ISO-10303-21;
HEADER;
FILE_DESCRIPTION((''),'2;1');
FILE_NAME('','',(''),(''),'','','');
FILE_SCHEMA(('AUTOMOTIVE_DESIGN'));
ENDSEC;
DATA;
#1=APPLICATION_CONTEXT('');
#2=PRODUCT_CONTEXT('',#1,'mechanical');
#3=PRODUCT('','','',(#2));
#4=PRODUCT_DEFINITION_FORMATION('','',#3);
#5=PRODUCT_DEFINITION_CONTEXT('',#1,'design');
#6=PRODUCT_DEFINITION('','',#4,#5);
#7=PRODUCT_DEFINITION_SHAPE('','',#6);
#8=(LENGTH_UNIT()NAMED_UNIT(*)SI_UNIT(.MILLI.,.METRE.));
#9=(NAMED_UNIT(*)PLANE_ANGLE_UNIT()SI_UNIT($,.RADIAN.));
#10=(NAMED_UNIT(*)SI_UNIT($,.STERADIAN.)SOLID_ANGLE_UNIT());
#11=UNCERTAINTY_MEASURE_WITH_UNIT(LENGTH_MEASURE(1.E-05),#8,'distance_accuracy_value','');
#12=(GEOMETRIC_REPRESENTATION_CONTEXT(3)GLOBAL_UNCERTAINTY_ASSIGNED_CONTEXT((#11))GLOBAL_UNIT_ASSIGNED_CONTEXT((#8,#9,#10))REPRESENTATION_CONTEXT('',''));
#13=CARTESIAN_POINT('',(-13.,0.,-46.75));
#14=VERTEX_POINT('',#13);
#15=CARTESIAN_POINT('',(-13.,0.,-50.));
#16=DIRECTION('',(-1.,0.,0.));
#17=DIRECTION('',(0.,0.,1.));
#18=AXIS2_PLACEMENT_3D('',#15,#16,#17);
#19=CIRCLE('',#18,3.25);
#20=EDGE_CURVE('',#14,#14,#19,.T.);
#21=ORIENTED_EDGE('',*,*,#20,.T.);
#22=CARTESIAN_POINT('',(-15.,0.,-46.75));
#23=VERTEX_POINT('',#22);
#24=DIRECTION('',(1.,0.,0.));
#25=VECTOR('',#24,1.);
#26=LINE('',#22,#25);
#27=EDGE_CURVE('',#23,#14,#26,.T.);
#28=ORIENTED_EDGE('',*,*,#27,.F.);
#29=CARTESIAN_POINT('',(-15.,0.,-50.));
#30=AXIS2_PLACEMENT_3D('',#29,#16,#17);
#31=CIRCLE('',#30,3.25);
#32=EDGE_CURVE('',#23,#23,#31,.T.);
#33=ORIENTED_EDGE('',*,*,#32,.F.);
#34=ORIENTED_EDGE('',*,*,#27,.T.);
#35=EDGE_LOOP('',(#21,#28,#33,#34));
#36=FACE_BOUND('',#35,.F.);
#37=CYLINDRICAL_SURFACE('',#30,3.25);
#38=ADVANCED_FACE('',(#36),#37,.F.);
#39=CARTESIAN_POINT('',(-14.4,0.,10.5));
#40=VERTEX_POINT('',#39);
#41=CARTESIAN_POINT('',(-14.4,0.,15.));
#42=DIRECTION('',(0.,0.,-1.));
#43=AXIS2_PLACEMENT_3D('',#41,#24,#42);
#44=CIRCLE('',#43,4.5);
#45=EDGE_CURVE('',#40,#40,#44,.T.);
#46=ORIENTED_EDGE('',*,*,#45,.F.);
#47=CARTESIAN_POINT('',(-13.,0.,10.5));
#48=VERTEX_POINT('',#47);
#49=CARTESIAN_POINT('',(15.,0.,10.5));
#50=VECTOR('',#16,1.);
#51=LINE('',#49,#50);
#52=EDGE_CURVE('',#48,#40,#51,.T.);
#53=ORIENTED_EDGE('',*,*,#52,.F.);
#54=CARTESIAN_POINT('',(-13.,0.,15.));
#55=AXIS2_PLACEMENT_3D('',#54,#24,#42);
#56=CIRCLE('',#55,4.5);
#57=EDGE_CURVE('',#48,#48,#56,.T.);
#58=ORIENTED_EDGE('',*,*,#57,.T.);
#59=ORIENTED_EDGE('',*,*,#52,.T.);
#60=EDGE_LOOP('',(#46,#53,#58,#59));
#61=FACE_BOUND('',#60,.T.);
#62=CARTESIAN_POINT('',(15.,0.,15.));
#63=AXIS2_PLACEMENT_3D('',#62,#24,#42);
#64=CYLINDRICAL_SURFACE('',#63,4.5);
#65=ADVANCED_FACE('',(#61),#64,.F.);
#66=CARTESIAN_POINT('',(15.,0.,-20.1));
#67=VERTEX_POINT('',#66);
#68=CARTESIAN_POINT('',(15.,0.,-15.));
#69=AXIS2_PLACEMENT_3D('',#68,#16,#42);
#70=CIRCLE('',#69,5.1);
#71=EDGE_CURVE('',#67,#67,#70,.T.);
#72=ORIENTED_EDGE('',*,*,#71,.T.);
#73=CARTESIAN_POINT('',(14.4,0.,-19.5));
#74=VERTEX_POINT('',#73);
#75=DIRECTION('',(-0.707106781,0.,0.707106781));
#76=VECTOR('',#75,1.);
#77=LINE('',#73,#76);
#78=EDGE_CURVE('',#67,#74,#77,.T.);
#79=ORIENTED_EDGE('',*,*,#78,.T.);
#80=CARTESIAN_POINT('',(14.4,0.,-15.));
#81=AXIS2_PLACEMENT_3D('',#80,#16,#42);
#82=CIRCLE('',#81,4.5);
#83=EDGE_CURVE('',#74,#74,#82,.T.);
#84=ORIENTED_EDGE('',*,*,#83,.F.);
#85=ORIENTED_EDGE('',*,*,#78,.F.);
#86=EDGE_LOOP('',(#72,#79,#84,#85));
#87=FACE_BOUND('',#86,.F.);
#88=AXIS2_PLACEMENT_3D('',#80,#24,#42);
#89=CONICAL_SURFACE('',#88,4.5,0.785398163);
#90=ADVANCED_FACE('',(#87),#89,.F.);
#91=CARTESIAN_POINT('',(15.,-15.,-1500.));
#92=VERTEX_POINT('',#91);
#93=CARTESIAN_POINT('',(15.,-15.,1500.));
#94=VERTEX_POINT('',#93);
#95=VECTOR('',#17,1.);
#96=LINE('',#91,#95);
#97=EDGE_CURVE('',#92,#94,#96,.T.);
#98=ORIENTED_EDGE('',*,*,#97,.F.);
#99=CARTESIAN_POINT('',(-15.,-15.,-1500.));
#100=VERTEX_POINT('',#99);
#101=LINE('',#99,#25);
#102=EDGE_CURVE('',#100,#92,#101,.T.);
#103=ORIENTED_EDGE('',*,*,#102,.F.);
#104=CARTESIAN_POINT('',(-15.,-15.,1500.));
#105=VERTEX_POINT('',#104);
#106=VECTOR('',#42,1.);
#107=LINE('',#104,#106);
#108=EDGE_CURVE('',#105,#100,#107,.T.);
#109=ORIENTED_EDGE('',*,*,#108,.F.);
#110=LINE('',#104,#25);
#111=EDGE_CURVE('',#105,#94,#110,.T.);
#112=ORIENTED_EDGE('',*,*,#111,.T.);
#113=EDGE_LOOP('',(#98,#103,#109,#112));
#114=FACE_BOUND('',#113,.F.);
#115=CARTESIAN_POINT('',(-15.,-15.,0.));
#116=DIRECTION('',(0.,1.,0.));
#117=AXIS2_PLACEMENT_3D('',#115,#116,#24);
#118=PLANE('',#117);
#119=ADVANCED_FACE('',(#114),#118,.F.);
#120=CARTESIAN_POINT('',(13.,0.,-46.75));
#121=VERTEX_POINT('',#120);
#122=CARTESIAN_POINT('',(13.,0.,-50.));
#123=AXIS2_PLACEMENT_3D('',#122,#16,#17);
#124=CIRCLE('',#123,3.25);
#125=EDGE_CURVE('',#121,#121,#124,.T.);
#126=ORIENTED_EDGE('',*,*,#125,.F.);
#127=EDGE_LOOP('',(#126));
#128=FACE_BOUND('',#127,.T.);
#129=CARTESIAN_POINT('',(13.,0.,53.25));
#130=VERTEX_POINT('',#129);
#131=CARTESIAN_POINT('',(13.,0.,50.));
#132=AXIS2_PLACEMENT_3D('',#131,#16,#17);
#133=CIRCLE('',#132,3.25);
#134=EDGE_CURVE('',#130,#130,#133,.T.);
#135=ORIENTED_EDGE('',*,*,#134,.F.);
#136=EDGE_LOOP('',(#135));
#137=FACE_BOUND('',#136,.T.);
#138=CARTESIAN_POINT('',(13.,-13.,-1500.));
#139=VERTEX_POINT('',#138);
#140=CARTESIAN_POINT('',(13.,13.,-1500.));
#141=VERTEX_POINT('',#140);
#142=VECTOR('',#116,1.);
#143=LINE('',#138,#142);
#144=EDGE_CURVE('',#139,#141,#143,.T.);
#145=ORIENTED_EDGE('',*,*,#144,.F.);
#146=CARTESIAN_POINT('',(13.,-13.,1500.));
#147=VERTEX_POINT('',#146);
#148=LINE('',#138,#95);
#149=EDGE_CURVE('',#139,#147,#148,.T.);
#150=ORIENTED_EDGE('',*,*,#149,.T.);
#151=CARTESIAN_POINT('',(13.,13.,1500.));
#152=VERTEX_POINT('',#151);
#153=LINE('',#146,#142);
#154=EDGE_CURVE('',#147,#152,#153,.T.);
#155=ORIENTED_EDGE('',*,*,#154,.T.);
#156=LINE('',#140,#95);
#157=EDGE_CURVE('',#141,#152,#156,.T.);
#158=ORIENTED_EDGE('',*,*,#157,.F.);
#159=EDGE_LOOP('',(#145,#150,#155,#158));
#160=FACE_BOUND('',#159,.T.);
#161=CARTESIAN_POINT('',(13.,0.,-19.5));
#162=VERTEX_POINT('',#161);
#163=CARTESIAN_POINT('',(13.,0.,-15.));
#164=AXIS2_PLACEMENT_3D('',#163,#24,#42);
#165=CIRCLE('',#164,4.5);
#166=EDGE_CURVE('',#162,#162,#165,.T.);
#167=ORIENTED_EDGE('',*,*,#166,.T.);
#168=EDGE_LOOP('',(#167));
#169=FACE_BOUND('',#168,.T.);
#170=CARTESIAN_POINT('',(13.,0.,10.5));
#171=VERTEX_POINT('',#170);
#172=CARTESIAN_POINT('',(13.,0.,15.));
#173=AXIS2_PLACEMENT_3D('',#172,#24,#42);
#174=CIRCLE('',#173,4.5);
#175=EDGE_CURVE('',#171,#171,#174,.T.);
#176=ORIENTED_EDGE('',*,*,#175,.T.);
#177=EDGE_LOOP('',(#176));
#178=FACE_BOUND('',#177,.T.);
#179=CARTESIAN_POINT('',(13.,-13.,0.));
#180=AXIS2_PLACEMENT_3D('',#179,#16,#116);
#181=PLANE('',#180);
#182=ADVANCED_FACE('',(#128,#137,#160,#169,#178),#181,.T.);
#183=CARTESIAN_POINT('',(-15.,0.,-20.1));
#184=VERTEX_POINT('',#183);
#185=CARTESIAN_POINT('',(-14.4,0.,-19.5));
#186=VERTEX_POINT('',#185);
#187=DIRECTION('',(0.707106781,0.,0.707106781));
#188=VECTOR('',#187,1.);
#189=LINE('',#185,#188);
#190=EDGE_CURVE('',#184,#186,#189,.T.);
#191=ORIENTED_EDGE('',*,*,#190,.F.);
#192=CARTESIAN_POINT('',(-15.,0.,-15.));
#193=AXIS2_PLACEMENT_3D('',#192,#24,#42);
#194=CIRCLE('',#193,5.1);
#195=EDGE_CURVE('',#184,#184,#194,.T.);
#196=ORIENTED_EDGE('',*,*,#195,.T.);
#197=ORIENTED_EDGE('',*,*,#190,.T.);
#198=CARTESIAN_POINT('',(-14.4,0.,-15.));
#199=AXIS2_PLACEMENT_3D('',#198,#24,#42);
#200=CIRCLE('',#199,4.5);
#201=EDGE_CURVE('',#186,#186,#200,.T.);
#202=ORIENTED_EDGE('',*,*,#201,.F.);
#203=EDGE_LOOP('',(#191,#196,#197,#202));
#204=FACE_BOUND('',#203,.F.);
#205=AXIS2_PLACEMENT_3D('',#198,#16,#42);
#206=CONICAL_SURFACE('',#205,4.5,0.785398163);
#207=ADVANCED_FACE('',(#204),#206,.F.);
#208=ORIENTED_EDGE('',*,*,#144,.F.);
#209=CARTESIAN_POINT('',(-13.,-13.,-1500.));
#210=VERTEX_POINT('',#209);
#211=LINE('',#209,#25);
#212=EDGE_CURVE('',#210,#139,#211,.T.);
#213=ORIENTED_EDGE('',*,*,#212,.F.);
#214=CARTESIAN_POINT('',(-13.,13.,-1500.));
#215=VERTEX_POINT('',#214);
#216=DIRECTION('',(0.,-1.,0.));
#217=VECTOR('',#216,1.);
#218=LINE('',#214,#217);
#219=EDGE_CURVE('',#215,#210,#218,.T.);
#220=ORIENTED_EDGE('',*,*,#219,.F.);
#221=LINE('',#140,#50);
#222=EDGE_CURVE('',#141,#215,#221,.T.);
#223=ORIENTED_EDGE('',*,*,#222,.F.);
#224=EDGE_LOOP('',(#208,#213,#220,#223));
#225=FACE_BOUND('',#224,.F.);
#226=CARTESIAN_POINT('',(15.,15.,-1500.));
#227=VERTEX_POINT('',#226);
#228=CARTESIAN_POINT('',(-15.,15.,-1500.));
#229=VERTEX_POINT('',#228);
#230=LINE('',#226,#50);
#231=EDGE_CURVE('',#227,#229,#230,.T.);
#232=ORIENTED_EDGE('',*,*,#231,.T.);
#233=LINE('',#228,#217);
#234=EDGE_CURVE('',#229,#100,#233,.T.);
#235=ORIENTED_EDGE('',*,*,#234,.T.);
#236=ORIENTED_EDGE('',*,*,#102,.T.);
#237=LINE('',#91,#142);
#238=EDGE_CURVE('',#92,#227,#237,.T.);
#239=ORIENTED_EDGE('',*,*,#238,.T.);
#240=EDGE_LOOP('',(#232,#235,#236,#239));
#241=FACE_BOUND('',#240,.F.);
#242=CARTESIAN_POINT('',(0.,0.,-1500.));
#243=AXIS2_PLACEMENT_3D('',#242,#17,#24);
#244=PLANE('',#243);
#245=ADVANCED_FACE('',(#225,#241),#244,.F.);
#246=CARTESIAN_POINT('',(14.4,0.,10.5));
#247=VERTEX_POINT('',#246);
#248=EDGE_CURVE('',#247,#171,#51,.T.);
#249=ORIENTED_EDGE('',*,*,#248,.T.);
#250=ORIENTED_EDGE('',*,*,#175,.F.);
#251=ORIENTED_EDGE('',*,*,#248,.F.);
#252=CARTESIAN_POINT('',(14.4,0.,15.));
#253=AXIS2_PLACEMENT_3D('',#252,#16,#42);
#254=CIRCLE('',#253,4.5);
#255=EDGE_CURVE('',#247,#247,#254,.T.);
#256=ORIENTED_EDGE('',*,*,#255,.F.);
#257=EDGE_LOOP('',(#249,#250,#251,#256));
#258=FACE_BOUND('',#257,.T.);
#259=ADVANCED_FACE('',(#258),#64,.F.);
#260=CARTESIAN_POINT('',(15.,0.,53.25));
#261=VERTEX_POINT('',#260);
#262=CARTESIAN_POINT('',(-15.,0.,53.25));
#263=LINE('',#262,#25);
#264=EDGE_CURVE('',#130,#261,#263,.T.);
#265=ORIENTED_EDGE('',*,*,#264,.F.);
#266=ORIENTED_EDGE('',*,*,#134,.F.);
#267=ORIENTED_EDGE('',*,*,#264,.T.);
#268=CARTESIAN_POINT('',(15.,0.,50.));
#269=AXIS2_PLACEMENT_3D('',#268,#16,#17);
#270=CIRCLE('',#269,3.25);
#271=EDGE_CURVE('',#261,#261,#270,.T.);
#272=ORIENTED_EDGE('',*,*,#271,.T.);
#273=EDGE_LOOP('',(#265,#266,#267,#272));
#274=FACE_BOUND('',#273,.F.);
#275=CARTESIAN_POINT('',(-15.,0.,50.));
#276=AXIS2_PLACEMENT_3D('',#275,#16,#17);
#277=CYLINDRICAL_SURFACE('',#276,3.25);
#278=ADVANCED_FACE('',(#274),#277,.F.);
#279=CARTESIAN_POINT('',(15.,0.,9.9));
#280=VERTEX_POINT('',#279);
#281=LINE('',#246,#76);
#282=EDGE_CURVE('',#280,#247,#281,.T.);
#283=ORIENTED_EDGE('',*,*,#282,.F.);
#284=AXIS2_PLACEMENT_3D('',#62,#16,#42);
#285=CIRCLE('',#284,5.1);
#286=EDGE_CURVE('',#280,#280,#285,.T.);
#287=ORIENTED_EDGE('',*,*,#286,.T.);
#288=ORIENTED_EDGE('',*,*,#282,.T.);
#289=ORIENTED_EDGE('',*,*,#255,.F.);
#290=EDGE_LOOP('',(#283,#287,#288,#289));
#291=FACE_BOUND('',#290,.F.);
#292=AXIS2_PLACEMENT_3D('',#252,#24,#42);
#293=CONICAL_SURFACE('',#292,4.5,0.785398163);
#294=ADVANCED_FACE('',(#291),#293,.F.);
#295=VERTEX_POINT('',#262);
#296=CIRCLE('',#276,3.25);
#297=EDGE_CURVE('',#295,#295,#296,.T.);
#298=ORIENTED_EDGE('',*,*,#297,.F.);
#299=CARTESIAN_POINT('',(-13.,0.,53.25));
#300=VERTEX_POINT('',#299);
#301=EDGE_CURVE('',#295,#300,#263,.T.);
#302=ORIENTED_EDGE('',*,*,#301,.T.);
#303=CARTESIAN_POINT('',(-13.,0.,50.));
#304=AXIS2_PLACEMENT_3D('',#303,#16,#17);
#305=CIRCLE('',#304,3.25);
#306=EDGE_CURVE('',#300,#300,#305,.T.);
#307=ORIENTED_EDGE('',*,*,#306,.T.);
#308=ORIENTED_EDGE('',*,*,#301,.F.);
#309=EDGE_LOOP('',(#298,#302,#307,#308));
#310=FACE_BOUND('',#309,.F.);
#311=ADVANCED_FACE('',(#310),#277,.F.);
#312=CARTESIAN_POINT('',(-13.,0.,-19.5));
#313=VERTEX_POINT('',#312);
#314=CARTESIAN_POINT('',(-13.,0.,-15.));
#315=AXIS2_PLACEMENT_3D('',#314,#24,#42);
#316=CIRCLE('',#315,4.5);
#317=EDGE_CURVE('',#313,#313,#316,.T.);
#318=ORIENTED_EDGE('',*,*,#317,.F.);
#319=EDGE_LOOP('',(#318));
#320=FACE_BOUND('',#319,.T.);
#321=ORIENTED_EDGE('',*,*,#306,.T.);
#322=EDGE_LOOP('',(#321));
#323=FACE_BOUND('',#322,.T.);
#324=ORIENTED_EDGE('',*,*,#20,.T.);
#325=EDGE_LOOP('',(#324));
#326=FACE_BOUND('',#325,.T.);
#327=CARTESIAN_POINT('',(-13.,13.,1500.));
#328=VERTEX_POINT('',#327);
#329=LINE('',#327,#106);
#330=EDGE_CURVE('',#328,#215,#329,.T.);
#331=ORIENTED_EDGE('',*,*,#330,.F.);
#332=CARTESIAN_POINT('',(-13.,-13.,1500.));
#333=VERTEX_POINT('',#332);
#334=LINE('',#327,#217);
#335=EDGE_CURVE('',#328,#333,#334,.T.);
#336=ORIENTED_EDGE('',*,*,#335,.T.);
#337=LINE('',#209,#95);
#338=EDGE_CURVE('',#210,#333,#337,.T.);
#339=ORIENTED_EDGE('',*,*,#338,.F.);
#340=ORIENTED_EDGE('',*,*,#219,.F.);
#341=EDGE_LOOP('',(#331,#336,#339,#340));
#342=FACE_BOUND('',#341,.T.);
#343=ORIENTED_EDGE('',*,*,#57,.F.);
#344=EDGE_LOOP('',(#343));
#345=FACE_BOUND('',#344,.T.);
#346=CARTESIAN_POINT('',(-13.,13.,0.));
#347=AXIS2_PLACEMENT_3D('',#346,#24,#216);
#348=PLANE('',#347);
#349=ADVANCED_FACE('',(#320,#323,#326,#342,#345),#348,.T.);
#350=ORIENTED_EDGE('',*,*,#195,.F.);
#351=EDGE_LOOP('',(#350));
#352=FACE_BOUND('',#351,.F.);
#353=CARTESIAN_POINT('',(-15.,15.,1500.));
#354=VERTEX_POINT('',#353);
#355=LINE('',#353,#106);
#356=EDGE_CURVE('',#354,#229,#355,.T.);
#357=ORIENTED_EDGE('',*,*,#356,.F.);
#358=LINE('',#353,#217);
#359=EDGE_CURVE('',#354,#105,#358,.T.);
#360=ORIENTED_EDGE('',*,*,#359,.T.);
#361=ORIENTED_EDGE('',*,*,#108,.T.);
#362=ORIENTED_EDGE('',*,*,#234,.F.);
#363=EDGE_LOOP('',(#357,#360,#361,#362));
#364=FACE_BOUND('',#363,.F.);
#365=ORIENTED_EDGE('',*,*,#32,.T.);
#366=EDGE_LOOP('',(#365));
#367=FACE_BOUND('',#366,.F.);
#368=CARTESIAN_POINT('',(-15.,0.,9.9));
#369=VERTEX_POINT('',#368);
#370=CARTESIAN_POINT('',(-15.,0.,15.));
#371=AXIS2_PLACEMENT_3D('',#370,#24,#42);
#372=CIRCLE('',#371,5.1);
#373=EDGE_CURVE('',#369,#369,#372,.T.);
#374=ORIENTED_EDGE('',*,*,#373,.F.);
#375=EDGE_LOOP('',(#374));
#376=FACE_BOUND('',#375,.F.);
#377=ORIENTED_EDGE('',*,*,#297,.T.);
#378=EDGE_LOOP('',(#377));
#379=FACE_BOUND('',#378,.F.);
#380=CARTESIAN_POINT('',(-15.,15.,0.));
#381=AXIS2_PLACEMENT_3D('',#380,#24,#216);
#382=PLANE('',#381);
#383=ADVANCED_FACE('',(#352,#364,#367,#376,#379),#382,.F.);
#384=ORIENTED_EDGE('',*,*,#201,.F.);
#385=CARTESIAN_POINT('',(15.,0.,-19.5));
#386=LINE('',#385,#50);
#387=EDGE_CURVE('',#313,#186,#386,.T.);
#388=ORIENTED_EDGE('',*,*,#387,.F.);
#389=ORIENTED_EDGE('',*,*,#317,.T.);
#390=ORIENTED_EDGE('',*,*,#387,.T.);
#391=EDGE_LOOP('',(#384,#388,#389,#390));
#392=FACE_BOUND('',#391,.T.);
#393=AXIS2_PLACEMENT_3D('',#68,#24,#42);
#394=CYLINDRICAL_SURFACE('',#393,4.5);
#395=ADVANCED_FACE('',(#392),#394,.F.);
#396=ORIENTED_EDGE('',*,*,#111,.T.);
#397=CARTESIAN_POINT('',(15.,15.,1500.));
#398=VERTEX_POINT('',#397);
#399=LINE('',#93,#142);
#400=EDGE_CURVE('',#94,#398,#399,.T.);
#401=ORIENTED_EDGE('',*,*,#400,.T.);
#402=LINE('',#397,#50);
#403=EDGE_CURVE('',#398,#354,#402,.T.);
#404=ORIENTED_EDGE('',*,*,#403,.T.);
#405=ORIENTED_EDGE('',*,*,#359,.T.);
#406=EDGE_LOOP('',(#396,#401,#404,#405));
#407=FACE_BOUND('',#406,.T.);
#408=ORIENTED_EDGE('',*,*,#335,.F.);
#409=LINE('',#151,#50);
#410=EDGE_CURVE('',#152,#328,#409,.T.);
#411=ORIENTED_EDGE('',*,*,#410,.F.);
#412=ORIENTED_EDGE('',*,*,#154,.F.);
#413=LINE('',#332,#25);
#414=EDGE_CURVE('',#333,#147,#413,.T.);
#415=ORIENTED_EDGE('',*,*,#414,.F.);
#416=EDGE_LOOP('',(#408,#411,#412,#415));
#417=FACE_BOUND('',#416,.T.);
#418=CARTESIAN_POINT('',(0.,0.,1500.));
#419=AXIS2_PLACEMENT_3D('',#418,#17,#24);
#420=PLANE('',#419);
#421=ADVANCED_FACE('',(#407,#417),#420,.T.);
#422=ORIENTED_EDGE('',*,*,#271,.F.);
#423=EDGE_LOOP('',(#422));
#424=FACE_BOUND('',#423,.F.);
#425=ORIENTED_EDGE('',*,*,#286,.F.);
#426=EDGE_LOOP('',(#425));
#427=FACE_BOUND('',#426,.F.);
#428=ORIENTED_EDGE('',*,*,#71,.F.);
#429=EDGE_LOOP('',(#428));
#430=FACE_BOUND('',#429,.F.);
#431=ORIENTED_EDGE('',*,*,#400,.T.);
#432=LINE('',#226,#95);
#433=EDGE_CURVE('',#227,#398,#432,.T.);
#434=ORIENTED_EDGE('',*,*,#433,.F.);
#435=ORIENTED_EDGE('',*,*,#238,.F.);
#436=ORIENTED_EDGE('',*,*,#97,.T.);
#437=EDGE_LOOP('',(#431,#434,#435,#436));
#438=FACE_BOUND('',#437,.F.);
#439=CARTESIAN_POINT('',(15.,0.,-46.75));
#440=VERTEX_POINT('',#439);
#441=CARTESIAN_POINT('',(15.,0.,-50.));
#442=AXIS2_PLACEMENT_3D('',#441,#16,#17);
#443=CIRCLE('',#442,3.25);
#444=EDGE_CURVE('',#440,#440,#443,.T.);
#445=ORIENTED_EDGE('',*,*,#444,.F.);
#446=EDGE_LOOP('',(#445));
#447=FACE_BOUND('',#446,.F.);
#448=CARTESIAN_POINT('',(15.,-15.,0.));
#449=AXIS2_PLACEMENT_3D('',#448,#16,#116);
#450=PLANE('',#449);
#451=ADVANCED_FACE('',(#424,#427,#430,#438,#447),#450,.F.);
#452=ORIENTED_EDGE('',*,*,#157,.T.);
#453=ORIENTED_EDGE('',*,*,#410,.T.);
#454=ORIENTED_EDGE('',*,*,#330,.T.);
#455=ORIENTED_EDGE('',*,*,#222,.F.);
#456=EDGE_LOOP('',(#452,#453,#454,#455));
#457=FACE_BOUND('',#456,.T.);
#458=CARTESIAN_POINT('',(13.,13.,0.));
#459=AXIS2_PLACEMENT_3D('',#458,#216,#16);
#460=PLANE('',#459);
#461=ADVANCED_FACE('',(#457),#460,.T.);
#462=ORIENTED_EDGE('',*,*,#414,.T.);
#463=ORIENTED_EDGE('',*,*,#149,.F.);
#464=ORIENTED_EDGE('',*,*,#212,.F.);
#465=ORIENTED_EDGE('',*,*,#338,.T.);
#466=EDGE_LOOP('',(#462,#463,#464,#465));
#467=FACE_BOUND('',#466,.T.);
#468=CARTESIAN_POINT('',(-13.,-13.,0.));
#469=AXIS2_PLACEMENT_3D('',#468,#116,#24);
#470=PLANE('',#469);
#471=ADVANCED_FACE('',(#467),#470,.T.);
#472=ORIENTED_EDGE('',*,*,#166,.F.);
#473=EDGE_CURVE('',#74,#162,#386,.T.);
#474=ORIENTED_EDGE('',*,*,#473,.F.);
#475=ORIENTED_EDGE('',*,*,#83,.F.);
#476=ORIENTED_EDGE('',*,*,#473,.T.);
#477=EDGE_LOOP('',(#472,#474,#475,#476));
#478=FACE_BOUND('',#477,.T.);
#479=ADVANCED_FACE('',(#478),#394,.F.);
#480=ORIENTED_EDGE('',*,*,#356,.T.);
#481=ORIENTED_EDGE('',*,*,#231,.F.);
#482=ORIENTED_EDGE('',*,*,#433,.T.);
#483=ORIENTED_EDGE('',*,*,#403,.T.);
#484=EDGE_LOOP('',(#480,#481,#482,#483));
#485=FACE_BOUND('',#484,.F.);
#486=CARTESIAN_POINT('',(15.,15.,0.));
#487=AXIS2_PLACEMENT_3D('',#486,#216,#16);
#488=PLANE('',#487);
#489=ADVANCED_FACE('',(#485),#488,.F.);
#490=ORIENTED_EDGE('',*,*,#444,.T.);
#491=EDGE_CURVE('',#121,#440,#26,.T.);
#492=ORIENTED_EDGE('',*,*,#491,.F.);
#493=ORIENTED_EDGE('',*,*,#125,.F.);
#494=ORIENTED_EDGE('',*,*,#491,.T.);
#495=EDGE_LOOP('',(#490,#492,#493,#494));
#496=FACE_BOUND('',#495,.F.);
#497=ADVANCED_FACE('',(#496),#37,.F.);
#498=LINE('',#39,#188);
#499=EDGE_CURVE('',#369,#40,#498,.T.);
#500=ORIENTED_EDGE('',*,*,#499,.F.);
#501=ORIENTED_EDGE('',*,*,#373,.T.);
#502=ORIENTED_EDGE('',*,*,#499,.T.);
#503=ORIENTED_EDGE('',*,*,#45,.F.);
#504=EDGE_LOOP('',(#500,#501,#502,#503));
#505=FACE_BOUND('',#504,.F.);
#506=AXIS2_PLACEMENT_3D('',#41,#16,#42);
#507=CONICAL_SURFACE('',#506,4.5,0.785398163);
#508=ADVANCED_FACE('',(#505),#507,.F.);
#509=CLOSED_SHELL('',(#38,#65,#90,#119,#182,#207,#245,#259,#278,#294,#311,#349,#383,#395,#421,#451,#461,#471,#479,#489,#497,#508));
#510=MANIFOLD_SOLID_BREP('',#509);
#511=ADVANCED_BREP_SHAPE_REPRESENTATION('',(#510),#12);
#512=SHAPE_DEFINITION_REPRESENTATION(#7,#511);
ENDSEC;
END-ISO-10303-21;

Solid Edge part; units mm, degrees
sketch "Sketch1" plane through (0, 0, 0) normal (0, 0, 1) x (1, 0, 0)
  line L0 (-15, -15) -> (15, -15)
  line L1 (15, -15) -> (15, 15)
  line L2 (15, 15) -> (-15, 15)
  line L3 (-15, 15) -> (-15, -15)
  line L4 (-13, -13) -> (13, -13)
  line L5 (13, -13) -> (13, 13)
  line L6 (13, 13) -> (-13, 13)
  line L7 (-13, 13) -> (-13, -13)
  dimension "D1" = 30
  dimension "D2" = 30
  dimension "D3" = 2
extrude "body" add sketch "Sketch1" along normal mid plane 3000
hole "Hole_2" at (15, 0, 15) direction (-1, 0, 0) diameter 9 end through all start chamfer 0.6 start chamfer angle 45 end chamfer 0.6 end chamfer angle 45
hole "Hole1" at (15, 0, -15) direction (-1, 0, 0) diameter 9 end through all start chamfer 0.6 start chamfer angle 45 end chamfer 0.6 end chamfer angle 45
sketch "Sketch2" plane through (-15, 0, 0) normal (-1, 0, 0) x (0, 0, 1)
  circle A0 centre (-50, 0) radius 3.25
  circle A1 centre (50, 0) radius 3.25
  dimension "D1" = 6.5
  dimension "D2" = 100
extrude "Cutout1" cut sketch "Sketch2" against normal through all
properties material "Aluminum, 7075-T6"
